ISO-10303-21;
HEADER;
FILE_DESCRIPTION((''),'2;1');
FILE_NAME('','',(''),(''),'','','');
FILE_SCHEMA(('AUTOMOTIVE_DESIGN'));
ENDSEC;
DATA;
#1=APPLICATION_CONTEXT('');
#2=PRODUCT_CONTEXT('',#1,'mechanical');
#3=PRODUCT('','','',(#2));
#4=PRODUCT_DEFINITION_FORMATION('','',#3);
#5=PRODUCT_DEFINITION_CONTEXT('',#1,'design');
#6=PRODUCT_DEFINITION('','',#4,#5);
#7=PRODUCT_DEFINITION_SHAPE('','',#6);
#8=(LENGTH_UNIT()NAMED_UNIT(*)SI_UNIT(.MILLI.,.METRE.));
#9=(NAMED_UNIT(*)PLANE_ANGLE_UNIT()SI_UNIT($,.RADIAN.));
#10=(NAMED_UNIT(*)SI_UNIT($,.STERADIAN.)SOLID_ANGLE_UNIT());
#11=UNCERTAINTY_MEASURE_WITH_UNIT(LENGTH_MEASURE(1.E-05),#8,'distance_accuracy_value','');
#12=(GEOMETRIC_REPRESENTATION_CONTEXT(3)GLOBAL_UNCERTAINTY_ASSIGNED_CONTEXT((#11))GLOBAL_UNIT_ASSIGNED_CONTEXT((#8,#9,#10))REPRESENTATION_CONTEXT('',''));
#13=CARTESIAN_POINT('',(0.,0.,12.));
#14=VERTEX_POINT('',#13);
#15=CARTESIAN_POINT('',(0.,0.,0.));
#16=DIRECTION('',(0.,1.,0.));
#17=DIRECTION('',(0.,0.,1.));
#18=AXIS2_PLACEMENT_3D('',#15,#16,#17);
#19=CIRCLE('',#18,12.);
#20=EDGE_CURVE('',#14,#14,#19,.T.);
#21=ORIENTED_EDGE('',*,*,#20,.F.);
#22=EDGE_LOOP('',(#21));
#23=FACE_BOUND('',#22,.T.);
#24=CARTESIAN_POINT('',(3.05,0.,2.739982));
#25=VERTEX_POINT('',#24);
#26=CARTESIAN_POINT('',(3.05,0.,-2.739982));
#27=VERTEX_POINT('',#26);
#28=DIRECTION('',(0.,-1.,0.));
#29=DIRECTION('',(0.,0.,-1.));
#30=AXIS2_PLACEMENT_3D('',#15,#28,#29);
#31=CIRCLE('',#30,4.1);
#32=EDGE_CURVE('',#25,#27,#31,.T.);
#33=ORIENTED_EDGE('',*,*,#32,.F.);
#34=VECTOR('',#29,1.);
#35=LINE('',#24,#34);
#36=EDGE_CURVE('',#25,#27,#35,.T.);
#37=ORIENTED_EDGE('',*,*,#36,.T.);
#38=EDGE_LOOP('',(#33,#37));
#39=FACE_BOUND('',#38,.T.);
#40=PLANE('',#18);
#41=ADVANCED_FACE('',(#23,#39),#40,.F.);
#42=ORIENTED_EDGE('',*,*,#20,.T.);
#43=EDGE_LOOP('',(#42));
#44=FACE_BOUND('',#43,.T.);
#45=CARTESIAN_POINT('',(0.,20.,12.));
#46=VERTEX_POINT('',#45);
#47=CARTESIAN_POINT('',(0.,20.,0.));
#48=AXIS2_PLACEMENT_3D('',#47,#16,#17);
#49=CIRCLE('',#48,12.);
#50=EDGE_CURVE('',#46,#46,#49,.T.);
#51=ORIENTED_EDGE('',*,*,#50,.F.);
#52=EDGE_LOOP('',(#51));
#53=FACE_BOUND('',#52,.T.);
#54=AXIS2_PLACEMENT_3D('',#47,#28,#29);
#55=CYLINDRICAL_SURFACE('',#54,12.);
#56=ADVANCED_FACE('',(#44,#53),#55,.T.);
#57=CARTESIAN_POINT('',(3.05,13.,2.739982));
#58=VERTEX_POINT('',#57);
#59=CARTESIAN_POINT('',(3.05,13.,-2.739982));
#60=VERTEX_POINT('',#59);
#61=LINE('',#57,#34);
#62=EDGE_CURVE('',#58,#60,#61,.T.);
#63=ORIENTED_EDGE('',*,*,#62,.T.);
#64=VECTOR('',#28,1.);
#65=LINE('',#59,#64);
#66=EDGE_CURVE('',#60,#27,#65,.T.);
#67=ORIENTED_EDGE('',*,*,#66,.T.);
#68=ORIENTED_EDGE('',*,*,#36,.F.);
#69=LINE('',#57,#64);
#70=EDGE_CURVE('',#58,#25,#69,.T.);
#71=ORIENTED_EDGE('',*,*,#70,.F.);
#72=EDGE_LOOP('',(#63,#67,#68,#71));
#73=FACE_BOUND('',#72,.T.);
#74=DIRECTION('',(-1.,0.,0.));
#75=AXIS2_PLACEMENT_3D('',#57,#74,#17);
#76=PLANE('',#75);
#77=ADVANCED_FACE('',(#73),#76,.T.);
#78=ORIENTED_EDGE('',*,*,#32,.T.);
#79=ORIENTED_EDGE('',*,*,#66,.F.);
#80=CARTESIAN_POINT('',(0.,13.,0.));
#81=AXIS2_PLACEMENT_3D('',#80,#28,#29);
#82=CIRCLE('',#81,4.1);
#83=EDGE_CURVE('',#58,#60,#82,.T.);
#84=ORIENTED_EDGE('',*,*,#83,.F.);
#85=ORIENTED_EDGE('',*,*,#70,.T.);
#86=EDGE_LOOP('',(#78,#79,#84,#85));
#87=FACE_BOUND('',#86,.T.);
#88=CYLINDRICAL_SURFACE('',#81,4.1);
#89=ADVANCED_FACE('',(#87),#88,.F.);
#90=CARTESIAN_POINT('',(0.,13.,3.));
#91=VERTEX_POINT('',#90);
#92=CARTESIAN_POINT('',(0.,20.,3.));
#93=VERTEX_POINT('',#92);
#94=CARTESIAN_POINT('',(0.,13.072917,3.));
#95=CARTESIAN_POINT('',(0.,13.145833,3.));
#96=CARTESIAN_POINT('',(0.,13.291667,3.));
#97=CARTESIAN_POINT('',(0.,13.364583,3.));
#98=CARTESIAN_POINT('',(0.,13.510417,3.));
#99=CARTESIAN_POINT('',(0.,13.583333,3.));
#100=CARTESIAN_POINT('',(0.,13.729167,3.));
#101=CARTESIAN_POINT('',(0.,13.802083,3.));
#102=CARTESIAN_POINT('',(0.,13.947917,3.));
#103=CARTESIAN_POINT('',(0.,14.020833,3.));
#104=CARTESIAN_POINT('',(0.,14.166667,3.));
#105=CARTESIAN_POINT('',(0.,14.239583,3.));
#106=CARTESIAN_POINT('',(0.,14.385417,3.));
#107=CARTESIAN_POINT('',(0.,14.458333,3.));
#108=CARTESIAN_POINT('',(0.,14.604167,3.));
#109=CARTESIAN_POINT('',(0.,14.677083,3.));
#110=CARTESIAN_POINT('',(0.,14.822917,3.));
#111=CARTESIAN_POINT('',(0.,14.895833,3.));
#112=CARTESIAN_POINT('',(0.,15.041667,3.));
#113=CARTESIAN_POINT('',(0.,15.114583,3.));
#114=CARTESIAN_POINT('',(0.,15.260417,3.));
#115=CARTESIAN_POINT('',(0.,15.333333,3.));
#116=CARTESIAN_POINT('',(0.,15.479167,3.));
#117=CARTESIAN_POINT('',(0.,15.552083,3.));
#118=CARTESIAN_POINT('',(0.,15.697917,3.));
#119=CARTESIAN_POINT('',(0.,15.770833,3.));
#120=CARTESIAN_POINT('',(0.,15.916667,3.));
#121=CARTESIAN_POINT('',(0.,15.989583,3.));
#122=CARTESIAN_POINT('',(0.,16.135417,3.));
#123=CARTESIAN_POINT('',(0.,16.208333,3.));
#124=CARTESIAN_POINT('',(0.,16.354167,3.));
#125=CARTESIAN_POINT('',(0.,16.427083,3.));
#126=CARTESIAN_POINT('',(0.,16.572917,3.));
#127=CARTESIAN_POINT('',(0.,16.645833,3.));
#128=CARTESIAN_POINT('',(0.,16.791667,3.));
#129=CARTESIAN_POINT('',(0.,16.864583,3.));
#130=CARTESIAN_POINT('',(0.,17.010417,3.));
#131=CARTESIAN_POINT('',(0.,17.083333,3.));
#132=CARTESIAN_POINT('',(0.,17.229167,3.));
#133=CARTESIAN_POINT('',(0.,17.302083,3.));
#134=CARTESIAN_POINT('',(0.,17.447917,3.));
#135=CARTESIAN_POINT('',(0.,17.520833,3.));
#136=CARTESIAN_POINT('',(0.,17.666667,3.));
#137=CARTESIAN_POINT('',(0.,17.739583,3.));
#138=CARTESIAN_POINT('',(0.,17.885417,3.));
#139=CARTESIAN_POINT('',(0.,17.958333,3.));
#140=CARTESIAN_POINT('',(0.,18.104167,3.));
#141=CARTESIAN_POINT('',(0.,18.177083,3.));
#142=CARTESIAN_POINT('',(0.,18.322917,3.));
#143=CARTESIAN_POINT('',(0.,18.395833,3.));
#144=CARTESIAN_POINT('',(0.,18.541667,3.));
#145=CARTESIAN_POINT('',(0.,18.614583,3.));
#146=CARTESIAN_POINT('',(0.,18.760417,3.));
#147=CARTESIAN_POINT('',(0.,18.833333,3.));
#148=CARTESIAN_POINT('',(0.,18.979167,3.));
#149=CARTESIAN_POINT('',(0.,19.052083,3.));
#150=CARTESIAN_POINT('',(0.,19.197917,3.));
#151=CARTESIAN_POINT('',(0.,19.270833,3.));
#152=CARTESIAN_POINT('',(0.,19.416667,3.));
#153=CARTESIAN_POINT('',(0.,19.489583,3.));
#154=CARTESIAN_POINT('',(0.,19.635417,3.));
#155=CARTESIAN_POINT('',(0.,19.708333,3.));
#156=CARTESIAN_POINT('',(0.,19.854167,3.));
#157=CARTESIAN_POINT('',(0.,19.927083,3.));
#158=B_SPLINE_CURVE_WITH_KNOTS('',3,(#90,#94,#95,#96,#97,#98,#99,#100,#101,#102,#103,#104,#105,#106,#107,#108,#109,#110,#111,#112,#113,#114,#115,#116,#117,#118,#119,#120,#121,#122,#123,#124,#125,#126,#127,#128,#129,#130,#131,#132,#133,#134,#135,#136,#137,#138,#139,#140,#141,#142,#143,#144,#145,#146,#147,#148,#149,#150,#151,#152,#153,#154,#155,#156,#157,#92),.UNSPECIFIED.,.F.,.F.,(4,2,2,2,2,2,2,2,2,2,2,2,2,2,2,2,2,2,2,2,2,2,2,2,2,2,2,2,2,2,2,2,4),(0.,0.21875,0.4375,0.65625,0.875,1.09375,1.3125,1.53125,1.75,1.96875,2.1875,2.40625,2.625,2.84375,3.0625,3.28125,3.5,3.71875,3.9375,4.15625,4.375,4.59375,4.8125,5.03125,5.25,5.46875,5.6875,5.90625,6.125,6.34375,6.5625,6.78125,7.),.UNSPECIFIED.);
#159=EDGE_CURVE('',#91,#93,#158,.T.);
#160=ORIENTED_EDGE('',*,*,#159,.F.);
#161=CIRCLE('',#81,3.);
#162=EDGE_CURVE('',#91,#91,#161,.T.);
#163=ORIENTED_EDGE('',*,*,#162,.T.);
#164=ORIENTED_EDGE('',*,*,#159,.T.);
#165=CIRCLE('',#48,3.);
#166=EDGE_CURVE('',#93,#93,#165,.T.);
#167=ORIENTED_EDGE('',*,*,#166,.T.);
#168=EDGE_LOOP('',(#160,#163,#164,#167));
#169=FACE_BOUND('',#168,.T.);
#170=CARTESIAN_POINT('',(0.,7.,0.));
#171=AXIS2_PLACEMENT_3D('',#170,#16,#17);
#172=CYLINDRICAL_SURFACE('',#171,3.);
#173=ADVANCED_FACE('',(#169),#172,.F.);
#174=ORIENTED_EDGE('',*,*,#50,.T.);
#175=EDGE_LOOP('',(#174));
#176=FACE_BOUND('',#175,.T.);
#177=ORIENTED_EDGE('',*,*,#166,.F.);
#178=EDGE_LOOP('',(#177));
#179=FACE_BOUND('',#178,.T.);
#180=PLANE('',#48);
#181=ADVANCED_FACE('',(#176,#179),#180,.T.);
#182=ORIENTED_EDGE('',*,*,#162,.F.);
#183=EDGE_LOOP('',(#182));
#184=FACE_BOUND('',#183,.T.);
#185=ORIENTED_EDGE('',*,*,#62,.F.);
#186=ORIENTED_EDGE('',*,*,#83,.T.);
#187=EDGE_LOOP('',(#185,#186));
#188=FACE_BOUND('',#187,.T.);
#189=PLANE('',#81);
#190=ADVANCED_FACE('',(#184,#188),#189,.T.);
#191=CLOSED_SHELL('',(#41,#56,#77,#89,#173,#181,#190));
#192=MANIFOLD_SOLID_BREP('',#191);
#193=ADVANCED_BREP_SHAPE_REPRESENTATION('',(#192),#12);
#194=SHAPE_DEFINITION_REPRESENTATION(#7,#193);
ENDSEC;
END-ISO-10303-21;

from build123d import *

# Parameters (mm, degrees)
SKETCH1_R           = 12
BOSS_EXTRUDE1_DEPTH = 20
CUT_EXTRUDE1_DEPTH  = 13
SKETCH3_R           = 3
CUT_EXTRUDE2_DEPTH  = 13


with BuildPart() as part:
    # Sketch1 → Boss-Extrude1 (new body)
    with BuildSketch(Plane(origin=(0, 0, 0), x_dir=(1, 0, 0), z_dir=(0, 1, 0))):
        with Locations(Location((0, 0, 0), (0, 0, 270))):
            Circle(SKETCH1_R)
    extrude(amount=BOSS_EXTRUDE1_DEPTH)

    # Sketch2 → Cut-Extrude1 (cut)
    with BuildSketch(Plane.XZ):
        with BuildLine():
            Line((3.05, 2.739981752), (3.05, -2.739981752))
            ThreePointArc((3.05, -2.739981752), (-4.1, 0), (3.05, 2.739981752))
        make_face()
    extrude(amount=-CUT_EXTRUDE1_DEPTH, mode=Mode.SUBTRACT)

    # Sketch3 → Cut-Extrude2 (cut)
    with BuildSketch(Plane(origin=(0, 20, 0), x_dir=(1, 0, 0), z_dir=(0, 1, 0))):
        with Locations(Location((0, 0, 0), (0, 0, 270))):
            Circle(SKETCH3_R)
    extrude(amount=-CUT_EXTRUDE2_DEPTH, mode=Mode.SUBTRACT)


solid = part.part
